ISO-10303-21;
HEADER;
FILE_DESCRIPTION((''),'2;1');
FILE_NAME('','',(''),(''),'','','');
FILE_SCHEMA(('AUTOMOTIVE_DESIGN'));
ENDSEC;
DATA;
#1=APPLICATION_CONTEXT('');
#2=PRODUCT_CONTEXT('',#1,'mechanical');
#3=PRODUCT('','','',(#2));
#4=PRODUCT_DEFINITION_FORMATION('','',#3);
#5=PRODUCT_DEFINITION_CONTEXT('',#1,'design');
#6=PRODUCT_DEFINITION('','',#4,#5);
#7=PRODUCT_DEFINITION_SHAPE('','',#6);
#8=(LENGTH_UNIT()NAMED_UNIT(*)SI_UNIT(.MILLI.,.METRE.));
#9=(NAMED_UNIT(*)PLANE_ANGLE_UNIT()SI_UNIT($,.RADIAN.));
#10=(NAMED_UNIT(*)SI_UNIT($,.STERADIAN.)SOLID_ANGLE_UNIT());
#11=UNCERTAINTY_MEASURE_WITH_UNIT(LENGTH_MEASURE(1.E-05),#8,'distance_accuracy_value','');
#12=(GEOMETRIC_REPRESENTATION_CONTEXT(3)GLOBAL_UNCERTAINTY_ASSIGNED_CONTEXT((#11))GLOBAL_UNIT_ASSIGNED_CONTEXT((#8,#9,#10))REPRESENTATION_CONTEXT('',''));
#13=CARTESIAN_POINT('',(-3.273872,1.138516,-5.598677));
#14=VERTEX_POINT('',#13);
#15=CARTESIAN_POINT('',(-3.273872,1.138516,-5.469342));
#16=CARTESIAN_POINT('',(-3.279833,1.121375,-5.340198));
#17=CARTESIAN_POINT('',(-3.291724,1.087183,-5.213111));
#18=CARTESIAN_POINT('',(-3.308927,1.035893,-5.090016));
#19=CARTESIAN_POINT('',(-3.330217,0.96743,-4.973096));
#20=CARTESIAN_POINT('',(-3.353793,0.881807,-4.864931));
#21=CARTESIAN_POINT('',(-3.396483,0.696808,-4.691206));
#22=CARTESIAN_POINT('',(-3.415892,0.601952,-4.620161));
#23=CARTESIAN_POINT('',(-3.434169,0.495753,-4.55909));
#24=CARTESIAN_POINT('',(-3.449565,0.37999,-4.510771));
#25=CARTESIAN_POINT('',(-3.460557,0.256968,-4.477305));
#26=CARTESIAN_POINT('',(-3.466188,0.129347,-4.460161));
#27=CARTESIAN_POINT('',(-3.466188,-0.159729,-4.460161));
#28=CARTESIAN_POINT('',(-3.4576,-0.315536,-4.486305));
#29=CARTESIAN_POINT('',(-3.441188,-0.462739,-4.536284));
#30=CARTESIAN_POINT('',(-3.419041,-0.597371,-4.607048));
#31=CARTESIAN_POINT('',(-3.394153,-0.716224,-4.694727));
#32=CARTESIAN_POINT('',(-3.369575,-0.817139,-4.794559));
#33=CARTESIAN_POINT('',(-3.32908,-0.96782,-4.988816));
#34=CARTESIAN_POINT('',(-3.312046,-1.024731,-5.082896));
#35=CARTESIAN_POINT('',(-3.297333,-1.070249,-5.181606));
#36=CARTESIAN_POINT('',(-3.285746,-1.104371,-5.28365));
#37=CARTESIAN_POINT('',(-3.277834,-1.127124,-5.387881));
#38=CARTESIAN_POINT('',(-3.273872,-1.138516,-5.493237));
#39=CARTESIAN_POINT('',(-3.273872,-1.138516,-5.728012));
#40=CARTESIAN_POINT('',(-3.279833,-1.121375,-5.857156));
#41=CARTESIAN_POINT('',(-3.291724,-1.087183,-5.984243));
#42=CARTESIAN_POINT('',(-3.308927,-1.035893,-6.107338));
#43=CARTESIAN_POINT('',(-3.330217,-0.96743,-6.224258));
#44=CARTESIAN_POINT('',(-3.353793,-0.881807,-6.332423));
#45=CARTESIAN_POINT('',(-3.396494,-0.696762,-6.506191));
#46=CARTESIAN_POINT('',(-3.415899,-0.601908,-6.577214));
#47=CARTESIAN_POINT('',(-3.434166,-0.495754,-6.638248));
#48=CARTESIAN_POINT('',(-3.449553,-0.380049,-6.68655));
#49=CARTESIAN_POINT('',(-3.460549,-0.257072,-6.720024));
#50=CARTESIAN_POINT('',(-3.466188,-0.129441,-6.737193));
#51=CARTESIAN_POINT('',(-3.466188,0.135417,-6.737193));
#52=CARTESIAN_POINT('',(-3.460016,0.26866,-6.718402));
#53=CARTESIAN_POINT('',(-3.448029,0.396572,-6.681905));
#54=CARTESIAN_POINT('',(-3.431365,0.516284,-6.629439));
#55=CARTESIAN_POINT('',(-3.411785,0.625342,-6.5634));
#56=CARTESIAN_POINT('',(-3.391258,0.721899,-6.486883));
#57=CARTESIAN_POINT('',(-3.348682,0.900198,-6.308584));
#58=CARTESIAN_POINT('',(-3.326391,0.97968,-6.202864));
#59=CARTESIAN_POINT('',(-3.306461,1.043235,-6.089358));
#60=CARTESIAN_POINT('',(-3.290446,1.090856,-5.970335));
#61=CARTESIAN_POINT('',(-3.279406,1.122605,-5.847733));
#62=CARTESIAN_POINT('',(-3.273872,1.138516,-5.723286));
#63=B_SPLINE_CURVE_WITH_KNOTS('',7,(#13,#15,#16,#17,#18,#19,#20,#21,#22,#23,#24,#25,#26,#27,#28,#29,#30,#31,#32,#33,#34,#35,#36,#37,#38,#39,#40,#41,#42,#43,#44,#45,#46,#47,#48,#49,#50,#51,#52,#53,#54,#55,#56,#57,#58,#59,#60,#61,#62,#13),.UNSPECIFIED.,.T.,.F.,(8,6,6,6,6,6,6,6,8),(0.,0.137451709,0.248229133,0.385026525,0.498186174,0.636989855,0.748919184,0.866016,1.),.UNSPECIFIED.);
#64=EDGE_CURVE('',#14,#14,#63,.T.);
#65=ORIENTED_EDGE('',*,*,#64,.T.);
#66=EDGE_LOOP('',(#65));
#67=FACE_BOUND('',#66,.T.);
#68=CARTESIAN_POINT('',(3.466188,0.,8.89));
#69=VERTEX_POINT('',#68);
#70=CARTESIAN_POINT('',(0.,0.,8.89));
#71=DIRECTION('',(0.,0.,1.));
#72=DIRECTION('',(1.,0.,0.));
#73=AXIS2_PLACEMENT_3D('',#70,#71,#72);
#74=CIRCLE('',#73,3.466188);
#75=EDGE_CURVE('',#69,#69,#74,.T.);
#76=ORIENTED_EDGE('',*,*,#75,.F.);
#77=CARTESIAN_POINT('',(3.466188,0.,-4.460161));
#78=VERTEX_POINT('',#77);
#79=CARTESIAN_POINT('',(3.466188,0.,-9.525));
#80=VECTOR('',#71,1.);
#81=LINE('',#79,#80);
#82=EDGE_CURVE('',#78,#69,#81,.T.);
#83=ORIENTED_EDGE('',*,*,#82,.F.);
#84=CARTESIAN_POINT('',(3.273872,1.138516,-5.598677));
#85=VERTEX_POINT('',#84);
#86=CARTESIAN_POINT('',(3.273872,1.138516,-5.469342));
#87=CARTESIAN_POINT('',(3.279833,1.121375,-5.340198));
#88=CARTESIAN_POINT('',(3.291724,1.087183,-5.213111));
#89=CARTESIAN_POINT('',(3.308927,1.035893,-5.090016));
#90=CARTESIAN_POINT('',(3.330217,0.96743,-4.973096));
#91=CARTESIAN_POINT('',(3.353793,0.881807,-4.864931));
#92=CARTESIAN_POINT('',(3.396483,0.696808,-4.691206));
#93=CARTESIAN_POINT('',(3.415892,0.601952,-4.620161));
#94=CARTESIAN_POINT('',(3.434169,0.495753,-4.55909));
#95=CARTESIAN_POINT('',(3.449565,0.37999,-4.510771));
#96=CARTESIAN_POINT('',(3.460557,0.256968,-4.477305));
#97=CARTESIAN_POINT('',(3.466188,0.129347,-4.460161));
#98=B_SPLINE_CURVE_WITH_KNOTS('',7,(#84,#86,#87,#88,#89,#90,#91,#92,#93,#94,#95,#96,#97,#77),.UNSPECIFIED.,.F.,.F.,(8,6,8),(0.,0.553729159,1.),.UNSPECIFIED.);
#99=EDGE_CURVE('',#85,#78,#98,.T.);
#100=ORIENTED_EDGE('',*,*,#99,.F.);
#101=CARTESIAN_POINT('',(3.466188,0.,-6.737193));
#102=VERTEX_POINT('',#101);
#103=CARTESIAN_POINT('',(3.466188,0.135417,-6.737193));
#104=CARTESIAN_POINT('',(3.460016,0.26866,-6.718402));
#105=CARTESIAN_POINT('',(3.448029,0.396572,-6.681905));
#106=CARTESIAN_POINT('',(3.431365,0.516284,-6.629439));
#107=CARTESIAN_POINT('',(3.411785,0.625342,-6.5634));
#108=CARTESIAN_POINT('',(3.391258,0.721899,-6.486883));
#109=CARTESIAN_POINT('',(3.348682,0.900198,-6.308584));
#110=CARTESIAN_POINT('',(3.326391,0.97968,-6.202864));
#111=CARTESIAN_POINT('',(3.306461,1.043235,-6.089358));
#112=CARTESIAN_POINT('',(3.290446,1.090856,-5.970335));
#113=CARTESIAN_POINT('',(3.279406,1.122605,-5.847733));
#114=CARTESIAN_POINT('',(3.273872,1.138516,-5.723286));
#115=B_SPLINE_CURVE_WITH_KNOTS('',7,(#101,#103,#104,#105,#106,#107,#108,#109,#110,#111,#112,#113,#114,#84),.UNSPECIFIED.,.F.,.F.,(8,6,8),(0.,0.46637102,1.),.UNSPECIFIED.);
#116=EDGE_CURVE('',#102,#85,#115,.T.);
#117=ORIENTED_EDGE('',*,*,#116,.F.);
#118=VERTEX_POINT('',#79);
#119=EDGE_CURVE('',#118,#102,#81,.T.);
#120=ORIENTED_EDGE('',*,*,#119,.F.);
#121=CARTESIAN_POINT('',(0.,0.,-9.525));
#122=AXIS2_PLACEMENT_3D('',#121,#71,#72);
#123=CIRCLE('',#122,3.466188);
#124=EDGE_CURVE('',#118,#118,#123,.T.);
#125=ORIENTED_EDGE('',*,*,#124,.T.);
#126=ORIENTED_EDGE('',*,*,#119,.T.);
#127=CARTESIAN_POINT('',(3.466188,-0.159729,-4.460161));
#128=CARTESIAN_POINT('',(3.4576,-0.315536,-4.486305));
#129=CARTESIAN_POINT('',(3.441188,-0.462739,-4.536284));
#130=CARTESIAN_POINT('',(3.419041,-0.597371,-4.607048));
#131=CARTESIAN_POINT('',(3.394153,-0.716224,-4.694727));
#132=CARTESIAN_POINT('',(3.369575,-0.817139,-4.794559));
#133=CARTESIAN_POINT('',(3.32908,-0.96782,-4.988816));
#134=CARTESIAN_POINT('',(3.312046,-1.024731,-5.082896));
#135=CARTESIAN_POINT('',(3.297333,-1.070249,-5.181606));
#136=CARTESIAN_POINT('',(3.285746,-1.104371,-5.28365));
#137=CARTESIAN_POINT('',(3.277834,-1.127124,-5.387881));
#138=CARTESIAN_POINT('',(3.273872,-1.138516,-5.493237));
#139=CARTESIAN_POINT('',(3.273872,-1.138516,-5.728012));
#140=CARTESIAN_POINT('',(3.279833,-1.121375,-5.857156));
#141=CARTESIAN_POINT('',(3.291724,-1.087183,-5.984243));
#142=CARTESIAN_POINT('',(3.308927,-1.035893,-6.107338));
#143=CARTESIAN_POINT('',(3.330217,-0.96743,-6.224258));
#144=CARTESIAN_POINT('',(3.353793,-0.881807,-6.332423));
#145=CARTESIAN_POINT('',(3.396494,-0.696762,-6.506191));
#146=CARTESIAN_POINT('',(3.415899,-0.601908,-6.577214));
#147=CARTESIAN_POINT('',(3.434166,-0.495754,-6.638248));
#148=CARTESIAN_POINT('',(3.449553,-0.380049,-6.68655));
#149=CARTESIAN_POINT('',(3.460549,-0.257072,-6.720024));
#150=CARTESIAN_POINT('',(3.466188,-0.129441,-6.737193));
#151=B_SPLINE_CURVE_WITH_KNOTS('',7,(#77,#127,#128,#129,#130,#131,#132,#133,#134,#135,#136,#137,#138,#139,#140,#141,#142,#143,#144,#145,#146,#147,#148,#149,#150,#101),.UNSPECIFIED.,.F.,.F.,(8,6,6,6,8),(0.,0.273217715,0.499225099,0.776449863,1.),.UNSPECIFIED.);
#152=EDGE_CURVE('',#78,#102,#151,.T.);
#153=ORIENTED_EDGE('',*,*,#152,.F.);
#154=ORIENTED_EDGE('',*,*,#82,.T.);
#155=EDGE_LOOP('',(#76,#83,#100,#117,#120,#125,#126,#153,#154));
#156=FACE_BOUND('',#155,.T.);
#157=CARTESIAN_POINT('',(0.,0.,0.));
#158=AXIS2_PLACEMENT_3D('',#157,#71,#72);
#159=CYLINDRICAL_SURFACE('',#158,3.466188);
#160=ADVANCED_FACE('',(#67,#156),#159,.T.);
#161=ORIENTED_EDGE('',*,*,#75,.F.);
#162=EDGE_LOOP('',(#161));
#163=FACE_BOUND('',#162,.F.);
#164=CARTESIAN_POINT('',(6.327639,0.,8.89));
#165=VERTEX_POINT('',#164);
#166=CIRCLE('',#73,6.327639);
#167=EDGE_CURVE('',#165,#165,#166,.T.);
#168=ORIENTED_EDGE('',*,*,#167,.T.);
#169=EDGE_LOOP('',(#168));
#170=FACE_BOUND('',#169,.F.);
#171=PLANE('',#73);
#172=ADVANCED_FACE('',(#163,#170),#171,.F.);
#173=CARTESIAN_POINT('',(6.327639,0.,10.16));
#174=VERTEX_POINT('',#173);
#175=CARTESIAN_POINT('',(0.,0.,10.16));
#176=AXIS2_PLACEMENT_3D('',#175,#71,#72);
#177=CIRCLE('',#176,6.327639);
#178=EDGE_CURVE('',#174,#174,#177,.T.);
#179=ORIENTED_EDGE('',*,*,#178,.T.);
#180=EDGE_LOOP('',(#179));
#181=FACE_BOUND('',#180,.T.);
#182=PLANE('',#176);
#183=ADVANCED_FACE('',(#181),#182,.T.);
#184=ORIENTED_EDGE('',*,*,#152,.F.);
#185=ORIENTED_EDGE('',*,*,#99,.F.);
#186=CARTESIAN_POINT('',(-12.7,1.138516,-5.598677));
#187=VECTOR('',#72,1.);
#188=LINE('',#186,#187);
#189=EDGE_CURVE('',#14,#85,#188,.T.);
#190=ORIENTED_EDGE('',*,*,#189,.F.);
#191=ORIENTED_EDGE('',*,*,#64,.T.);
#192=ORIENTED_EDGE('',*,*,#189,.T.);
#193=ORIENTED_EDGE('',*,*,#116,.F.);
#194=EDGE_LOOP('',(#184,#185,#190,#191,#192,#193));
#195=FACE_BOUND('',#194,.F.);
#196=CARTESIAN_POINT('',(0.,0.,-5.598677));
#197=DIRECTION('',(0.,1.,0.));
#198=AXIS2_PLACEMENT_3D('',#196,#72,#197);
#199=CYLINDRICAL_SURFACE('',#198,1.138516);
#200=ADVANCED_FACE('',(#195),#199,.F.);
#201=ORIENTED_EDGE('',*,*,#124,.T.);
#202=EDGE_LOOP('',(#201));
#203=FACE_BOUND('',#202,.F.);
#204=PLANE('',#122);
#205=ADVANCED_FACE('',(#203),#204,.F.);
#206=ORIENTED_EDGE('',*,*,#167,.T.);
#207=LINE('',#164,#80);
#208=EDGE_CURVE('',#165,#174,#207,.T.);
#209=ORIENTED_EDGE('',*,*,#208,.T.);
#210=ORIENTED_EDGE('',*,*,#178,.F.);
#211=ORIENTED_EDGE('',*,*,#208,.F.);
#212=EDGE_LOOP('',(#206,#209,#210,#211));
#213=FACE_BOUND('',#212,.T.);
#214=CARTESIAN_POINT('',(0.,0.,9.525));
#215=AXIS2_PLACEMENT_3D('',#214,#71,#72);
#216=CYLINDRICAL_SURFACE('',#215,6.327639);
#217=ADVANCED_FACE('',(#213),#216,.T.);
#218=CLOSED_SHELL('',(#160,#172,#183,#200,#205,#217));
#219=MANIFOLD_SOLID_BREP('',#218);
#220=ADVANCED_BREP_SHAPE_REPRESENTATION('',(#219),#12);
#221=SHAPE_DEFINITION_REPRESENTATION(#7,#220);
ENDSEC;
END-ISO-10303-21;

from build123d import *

# Parameters (mm, degrees)
F0_R     = 3.466188
F1_DEPTH = 9.525
F2_R     = 6.327639
F3_DEPTH = 0.635
F4_R     = 1.138516
F5_DEPTH = 12.7


with BuildPart() as f1:
    # F0 (on Top) → F1 (new body, symmetric)
    with BuildSketch(Plane.XY):
        Circle(F0_R)
    extrude(amount=F1_DEPTH, both=True)

    # F2 (on face) → F3 (join, symmetric)
    with BuildSketch(Plane.XY.offset(9.525)):
        Circle(F2_R)
    extrude(amount=F3_DEPTH, both=True)

    # F4 (on Right) → F5 (cut, symmetric)
    with BuildSketch(Plane.YZ):
        with Locations((0, -5.598677)):
            Circle(F4_R)
    extrude(amount=F5_DEPTH, both=True, mode=Mode.SUBTRACT)


solid = f1.part
